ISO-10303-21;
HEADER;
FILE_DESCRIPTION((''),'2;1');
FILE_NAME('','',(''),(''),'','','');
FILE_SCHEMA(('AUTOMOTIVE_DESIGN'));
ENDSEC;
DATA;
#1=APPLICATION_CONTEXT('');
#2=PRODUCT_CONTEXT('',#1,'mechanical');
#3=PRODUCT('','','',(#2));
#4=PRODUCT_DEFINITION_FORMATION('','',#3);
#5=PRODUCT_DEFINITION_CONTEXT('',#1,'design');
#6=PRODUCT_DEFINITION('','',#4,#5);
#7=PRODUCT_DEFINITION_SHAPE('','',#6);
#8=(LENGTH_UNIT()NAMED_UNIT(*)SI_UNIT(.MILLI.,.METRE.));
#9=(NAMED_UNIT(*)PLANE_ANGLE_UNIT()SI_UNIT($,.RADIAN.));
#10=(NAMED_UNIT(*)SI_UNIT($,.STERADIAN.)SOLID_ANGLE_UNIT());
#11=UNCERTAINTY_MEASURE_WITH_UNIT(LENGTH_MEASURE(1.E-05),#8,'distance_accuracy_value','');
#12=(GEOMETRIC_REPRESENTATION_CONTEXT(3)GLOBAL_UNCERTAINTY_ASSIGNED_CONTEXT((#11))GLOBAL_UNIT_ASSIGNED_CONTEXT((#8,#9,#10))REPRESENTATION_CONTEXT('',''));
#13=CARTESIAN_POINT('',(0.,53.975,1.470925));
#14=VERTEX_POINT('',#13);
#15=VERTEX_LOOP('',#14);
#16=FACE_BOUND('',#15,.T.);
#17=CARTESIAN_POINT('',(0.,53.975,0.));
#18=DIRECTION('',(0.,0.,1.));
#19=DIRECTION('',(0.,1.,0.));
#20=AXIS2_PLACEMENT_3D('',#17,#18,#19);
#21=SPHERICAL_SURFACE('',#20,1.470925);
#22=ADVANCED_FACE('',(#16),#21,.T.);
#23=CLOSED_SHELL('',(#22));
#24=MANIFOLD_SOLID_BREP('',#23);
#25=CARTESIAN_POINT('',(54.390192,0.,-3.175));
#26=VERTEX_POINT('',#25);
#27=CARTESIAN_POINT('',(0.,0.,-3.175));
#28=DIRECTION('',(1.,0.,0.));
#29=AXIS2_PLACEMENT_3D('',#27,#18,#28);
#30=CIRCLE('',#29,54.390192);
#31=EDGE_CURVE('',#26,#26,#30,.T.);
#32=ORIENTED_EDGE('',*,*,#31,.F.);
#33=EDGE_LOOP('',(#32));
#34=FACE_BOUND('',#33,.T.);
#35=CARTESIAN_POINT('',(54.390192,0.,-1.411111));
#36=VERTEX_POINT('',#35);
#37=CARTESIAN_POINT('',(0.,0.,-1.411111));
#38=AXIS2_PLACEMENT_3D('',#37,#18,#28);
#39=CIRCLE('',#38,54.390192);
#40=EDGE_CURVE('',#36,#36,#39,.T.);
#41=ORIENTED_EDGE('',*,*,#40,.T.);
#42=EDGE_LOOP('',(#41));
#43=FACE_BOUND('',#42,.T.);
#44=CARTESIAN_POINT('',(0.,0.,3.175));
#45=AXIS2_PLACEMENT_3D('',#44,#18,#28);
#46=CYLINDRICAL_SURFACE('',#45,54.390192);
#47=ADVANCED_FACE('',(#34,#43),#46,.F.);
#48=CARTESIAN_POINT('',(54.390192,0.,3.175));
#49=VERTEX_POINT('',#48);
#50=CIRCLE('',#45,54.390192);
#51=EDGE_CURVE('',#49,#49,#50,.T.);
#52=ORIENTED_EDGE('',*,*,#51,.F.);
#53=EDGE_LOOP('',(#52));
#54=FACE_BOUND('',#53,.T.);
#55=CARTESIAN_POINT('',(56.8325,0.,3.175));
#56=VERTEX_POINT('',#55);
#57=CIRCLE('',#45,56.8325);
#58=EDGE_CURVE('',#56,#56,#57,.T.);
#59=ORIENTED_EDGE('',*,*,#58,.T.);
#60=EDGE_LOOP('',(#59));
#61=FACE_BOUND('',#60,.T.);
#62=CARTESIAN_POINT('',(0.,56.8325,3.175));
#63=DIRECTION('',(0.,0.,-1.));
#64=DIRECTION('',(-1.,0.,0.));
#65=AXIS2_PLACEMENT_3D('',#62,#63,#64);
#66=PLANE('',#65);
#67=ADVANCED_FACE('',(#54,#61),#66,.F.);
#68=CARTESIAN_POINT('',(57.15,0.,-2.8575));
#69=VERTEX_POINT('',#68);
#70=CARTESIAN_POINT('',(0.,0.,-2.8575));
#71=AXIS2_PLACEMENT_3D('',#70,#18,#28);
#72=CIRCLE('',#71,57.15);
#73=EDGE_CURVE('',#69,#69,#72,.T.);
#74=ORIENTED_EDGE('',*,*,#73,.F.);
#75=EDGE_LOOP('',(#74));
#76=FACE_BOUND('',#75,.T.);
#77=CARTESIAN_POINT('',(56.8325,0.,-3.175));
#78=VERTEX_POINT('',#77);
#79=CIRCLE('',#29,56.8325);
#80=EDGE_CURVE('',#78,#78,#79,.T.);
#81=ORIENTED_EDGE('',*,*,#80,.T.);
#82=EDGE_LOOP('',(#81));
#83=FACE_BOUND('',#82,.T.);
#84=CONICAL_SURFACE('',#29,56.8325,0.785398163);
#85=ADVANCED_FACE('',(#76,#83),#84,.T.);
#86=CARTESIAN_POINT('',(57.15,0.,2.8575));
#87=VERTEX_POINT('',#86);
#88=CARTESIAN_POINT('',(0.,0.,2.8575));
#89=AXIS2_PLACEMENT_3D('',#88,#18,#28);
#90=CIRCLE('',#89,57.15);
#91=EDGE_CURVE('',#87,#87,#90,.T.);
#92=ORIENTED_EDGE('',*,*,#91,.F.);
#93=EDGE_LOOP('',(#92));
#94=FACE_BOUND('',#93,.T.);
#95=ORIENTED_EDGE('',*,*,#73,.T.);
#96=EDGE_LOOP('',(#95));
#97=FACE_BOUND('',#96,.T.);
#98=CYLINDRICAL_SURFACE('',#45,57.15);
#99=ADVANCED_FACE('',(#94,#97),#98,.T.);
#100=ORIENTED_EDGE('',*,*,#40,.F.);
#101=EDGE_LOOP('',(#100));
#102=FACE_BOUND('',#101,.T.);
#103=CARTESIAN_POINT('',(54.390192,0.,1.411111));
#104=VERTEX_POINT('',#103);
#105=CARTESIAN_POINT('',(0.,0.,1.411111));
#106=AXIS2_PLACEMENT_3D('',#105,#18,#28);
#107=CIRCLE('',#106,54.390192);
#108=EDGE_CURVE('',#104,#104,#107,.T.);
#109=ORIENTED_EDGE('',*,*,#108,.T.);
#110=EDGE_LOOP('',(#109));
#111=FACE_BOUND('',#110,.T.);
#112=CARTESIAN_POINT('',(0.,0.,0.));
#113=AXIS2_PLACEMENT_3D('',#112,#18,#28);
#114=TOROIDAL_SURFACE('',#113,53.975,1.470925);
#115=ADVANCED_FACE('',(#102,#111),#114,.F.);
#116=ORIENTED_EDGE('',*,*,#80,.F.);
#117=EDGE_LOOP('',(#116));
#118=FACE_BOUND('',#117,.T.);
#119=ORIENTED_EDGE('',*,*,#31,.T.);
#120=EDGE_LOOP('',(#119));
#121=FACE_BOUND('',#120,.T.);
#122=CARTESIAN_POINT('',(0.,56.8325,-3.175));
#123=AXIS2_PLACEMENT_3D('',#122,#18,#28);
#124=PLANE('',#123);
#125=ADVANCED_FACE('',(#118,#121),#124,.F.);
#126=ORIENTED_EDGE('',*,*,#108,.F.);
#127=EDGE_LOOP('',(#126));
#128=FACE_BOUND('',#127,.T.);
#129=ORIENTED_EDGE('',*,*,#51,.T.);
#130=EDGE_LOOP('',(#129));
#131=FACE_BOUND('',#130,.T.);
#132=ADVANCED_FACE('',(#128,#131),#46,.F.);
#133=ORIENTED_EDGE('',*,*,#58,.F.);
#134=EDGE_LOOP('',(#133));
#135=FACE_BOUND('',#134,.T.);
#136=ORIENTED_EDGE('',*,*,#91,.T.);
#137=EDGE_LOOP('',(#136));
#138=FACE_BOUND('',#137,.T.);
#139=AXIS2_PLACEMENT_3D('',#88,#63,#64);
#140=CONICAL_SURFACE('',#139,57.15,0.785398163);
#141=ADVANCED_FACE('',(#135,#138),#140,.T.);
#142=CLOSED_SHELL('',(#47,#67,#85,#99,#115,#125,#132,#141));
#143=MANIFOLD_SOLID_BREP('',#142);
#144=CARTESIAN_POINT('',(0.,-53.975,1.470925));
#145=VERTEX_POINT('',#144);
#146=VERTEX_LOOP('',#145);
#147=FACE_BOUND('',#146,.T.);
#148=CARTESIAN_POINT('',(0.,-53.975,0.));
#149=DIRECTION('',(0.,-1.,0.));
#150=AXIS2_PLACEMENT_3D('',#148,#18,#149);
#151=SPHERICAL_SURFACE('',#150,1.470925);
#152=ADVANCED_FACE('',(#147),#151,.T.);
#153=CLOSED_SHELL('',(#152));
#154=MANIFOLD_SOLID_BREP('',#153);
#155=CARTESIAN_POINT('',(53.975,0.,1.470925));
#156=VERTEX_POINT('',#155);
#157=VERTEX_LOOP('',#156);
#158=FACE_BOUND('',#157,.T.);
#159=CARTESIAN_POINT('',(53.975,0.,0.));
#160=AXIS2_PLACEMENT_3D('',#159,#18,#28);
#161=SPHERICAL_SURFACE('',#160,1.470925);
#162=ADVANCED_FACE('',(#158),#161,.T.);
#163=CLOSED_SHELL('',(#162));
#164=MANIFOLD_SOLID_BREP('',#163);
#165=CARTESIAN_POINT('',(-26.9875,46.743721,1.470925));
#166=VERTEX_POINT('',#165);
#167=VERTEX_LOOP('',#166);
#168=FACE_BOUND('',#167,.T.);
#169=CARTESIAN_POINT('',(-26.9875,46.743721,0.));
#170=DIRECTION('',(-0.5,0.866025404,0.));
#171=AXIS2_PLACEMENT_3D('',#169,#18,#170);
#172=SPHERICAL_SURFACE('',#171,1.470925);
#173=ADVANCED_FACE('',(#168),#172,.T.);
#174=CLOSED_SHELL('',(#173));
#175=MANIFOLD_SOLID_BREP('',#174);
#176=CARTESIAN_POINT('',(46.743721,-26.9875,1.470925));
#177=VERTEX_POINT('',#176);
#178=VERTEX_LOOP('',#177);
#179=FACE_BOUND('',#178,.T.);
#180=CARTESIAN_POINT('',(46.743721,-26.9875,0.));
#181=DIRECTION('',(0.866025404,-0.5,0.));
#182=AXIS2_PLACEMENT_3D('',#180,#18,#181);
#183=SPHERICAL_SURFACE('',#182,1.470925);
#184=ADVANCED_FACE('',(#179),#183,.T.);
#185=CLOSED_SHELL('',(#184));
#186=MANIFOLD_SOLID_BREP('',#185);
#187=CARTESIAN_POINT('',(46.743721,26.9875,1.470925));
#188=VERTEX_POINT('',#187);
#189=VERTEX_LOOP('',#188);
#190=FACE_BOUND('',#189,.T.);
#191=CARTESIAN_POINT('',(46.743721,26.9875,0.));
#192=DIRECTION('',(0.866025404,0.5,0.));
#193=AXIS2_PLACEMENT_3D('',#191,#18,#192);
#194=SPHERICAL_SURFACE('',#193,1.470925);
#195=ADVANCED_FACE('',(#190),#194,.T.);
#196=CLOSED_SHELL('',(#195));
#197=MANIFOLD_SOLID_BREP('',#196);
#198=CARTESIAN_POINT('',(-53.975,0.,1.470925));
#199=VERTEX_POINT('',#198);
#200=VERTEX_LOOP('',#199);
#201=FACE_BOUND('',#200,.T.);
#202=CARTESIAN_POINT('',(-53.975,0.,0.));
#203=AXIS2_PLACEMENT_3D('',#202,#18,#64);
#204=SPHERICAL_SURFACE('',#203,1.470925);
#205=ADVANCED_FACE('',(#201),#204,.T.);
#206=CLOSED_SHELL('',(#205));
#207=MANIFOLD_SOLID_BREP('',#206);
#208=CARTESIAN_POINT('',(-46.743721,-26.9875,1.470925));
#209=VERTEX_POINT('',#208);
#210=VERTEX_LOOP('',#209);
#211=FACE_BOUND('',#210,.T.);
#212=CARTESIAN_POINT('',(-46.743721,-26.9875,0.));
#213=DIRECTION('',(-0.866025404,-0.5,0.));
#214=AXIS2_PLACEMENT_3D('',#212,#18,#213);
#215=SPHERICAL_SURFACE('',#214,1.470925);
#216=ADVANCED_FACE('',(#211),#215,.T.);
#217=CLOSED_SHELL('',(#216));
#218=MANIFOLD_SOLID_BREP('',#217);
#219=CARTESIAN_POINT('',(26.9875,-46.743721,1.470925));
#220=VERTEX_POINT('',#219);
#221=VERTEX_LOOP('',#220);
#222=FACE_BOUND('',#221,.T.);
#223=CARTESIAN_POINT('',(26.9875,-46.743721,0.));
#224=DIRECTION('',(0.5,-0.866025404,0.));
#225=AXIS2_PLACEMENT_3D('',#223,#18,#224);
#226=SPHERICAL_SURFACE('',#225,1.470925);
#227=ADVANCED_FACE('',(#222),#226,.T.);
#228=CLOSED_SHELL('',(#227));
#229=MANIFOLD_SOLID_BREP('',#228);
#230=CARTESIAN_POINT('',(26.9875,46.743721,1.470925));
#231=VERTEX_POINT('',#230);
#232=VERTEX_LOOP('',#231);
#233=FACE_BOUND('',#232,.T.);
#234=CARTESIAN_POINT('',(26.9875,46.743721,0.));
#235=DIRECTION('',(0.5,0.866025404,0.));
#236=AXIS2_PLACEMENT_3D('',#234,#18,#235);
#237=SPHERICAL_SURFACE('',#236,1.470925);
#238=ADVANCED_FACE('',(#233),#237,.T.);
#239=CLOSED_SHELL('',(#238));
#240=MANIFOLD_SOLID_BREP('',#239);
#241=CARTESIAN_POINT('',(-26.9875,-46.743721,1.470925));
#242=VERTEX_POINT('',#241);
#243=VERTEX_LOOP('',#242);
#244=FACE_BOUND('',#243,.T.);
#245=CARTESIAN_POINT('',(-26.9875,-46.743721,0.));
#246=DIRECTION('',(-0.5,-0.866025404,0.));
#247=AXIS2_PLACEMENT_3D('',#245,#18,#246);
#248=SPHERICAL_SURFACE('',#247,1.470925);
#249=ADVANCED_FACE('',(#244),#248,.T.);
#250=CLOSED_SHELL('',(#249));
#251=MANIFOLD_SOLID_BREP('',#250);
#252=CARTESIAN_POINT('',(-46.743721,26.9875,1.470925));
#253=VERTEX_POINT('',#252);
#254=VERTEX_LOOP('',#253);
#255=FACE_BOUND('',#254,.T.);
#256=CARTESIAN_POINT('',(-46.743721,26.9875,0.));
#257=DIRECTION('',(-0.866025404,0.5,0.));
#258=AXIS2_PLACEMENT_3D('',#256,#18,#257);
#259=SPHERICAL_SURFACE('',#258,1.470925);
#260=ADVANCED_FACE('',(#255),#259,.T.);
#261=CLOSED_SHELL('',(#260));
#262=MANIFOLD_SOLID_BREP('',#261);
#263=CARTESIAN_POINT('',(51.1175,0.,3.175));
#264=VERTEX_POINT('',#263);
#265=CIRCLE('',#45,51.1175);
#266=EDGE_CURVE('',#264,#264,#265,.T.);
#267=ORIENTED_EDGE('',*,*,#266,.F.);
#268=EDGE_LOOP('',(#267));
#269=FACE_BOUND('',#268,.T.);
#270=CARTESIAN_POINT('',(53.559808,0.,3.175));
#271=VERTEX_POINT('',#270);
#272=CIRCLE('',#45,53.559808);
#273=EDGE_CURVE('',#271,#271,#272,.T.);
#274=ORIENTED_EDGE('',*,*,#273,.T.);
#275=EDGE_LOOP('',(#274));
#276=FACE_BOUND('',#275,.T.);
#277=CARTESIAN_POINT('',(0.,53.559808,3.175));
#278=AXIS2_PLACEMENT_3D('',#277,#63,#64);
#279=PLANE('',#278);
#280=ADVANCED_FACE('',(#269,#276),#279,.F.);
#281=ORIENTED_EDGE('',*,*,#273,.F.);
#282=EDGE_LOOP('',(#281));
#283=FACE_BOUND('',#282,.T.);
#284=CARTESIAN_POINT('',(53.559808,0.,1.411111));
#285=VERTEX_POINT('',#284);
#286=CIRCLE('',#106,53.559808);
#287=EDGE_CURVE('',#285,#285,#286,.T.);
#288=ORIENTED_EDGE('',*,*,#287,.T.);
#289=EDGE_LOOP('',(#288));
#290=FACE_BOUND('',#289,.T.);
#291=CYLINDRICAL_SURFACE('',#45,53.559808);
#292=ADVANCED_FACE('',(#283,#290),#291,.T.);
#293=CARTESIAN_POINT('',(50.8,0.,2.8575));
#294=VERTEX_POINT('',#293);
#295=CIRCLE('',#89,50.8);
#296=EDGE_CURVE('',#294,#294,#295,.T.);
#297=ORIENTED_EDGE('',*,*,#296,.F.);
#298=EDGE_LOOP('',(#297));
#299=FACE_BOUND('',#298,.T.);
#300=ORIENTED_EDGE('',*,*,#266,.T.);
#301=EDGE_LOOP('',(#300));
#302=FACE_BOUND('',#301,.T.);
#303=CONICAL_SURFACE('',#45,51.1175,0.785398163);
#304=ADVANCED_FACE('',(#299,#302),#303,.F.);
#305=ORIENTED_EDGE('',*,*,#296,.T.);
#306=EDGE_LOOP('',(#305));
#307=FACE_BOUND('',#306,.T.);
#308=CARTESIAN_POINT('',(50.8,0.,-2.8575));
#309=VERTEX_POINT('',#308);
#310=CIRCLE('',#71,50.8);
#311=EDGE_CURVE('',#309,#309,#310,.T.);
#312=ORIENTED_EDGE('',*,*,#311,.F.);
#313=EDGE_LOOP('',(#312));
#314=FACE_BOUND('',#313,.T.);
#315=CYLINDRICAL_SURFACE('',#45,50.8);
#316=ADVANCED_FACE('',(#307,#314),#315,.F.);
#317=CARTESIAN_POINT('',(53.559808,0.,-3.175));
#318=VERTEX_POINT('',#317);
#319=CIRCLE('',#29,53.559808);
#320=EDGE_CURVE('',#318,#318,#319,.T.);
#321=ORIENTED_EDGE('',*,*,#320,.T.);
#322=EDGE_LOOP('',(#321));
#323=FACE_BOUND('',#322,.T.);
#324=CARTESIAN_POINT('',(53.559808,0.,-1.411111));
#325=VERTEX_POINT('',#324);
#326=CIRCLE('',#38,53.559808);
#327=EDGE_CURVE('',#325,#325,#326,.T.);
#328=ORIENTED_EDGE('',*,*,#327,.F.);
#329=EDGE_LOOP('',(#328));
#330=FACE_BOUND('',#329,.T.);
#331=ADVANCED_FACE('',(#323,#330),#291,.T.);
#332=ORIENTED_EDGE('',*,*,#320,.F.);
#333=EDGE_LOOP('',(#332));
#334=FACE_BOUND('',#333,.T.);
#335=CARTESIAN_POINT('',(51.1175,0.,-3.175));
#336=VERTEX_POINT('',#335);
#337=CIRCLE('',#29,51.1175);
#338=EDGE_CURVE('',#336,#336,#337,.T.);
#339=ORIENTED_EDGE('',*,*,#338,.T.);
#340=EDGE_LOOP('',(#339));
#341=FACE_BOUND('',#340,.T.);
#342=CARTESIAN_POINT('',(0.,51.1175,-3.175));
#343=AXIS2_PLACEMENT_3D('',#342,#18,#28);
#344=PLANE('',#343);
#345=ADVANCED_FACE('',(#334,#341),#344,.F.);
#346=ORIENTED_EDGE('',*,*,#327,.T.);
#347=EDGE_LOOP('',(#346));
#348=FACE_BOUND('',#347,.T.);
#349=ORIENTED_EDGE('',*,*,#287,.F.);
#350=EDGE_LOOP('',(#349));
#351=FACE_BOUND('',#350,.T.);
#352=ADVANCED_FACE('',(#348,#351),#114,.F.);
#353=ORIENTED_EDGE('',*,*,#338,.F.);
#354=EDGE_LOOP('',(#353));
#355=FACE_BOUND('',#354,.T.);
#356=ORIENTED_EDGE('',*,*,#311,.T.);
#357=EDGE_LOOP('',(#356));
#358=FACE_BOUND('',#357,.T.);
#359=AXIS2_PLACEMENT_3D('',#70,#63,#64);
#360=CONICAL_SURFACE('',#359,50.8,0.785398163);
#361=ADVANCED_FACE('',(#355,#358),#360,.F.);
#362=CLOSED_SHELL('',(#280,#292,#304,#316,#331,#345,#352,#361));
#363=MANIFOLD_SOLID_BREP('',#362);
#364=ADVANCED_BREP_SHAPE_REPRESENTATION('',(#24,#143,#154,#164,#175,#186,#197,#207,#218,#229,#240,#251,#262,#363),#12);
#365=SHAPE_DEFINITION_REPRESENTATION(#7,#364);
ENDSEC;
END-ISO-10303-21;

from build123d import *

# Parameters (mm, degrees)
CIRPATTERN1_COUNT = 12


with BuildPart() as part:
    # Sketch1 → Revolve1 (revolve)
    with BuildSketch(Plane(origin=(0, 0, 0), x_dir=(0, 0, -1), z_dir=(1, 0, 0))):
        with BuildLine():
            Line((2.8575, 57.15), (-2.8575, 57.15))
            Line((-2.8575, 57.15), (-3.175, 56.8325))
            Line((-3.175, 56.8325), (-3.175, 54.390192308))
            Line((-3.175, 54.390192308), (-1.411111111, 54.390192308))
            ThreePointArc((-1.411111111, 54.390192308), (0, 55.445924614), (1.411111111, 54.390192308))
            Line((1.411111111, 54.390192308), (3.175, 54.390192308))
            Line((3.175, 54.390192308), (3.175, 56.8325))
            Line((3.175, 56.8325), (2.8575, 57.15))
        make_face()
    revolve(axis=Axis((0, 0, 3.175), (0, 0, -1)))


with BuildPart() as body_2:
    # Sketch3 → Revolve3 (revolve)
    with BuildSketch(Plane(origin=(0, 0, 0), x_dir=(0, 0, -1), z_dir=(1, 0, 0))):
        with BuildLine():
            Line((-3.175, 53.559807692), (-1.411111111, 53.559807692))
            ThreePointArc((-1.411111111, 53.559807692), (0, 52.504075386), (1.411111111, 53.559807692))
            Line((1.411111111, 53.559807692), (3.175, 53.559807692))
            Line((3.175, 53.559807692), (3.175, 51.1175))
            Line((3.175, 51.1175), (2.8575, 50.8))
            Line((2.8575, 50.8), (-2.8575, 50.8))
            Line((-2.8575, 50.8), (-3.175, 51.1175))
            Line((-3.175, 51.1175), (-3.175, 53.559807692))
        make_face()
    revolve(axis=Axis((0, 0, 3.175), (0, 0, -1)))


with BuildPart() as body_3:
    # Sketch4 → Revolve4 (revolve)
    with BuildSketch(Plane(origin=(0, 0, 0), x_dir=(0, 0, -1), z_dir=(1, 0, 0))):
        with BuildLine():
            Line((-1.470924614, 53.975), (1.470924614, 53.975))
            ThreePointArc((1.470924614, 53.975), (0, 55.445924614), (-1.470924614, 53.975))
        make_face()
    revolve(axis=Axis((0, 53.975, 1.470924614), (0, 0, -1)))


with BuildPart() as cirpattern1_1:
    # CirPattern1: pattern copy
    add(body_3.part.rotate(Axis((0, 0, -3.175), (0, 0, 1)), 1 * 360 / CIRPATTERN1_COUNT))


with BuildPart() as cirpattern1_2:
    # CirPattern1: pattern copy
    add(body_3.part.rotate(Axis((0, 0, -3.175), (0, 0, 1)), 2 * 360 / CIRPATTERN1_COUNT))


with BuildPart() as cirpattern1_3:
    # CirPattern1: pattern copy
    add(body_3.part.rotate(Axis((0, 0, -3.175), (0, 0, 1)), 3 * 360 / CIRPATTERN1_COUNT))


with BuildPart() as cirpattern1_4:
    # CirPattern1: pattern copy
    add(body_3.part.rotate(Axis((0, 0, -3.175), (0, 0, 1)), 4 * 360 / CIRPATTERN1_COUNT))


with BuildPart() as cirpattern1_5:
    # CirPattern1: pattern copy
    add(body_3.part.rotate(Axis((0, 0, -3.175), (0, 0, 1)), 5 * 360 / CIRPATTERN1_COUNT))


with BuildPart() as cirpattern1_6:
    # CirPattern1: pattern copy
    add(body_3.part.rotate(Axis((0, 0, -3.175), (0, 0, 1)), 6 * 360 / CIRPATTERN1_COUNT))


with BuildPart() as cirpattern1_7:
    # CirPattern1: pattern copy
    add(body_3.part.rotate(Axis((0, 0, -3.175), (0, 0, 1)), 7 * 360 / CIRPATTERN1_COUNT))


with BuildPart() as cirpattern1_8:
    # CirPattern1: pattern copy
    add(body_3.part.rotate(Axis((0, 0, -3.175), (0, 0, 1)), 8 * 360 / CIRPATTERN1_COUNT))


with BuildPart() as cirpattern1_9:
    # CirPattern1: pattern copy
    add(body_3.part.rotate(Axis((0, 0, -3.175), (0, 0, 1)), 9 * 360 / CIRPATTERN1_COUNT))


with BuildPart() as cirpattern1_10:
    # CirPattern1: pattern copy
    add(body_3.part.rotate(Axis((0, 0, -3.175), (0, 0, 1)), 10 * 360 / CIRPATTERN1_COUNT))


with BuildPart() as cirpattern1_11:
    # CirPattern1: pattern copy
    add(body_3.part.rotate(Axis((0, 0, -3.175), (0, 0, 1)), 11 * 360 / CIRPATTERN1_COUNT))


solid = Compound([part.part, body_2.part, body_3.part, cirpattern1_1.part, cirpattern1_2.part, cirpattern1_3.part, cirpattern1_4.part, cirpattern1_5.part, cirpattern1_6.part, cirpattern1_7.part, cirpattern1_8.part, cirpattern1_9.part, cirpattern1_10.part, cirpattern1_11.part])
